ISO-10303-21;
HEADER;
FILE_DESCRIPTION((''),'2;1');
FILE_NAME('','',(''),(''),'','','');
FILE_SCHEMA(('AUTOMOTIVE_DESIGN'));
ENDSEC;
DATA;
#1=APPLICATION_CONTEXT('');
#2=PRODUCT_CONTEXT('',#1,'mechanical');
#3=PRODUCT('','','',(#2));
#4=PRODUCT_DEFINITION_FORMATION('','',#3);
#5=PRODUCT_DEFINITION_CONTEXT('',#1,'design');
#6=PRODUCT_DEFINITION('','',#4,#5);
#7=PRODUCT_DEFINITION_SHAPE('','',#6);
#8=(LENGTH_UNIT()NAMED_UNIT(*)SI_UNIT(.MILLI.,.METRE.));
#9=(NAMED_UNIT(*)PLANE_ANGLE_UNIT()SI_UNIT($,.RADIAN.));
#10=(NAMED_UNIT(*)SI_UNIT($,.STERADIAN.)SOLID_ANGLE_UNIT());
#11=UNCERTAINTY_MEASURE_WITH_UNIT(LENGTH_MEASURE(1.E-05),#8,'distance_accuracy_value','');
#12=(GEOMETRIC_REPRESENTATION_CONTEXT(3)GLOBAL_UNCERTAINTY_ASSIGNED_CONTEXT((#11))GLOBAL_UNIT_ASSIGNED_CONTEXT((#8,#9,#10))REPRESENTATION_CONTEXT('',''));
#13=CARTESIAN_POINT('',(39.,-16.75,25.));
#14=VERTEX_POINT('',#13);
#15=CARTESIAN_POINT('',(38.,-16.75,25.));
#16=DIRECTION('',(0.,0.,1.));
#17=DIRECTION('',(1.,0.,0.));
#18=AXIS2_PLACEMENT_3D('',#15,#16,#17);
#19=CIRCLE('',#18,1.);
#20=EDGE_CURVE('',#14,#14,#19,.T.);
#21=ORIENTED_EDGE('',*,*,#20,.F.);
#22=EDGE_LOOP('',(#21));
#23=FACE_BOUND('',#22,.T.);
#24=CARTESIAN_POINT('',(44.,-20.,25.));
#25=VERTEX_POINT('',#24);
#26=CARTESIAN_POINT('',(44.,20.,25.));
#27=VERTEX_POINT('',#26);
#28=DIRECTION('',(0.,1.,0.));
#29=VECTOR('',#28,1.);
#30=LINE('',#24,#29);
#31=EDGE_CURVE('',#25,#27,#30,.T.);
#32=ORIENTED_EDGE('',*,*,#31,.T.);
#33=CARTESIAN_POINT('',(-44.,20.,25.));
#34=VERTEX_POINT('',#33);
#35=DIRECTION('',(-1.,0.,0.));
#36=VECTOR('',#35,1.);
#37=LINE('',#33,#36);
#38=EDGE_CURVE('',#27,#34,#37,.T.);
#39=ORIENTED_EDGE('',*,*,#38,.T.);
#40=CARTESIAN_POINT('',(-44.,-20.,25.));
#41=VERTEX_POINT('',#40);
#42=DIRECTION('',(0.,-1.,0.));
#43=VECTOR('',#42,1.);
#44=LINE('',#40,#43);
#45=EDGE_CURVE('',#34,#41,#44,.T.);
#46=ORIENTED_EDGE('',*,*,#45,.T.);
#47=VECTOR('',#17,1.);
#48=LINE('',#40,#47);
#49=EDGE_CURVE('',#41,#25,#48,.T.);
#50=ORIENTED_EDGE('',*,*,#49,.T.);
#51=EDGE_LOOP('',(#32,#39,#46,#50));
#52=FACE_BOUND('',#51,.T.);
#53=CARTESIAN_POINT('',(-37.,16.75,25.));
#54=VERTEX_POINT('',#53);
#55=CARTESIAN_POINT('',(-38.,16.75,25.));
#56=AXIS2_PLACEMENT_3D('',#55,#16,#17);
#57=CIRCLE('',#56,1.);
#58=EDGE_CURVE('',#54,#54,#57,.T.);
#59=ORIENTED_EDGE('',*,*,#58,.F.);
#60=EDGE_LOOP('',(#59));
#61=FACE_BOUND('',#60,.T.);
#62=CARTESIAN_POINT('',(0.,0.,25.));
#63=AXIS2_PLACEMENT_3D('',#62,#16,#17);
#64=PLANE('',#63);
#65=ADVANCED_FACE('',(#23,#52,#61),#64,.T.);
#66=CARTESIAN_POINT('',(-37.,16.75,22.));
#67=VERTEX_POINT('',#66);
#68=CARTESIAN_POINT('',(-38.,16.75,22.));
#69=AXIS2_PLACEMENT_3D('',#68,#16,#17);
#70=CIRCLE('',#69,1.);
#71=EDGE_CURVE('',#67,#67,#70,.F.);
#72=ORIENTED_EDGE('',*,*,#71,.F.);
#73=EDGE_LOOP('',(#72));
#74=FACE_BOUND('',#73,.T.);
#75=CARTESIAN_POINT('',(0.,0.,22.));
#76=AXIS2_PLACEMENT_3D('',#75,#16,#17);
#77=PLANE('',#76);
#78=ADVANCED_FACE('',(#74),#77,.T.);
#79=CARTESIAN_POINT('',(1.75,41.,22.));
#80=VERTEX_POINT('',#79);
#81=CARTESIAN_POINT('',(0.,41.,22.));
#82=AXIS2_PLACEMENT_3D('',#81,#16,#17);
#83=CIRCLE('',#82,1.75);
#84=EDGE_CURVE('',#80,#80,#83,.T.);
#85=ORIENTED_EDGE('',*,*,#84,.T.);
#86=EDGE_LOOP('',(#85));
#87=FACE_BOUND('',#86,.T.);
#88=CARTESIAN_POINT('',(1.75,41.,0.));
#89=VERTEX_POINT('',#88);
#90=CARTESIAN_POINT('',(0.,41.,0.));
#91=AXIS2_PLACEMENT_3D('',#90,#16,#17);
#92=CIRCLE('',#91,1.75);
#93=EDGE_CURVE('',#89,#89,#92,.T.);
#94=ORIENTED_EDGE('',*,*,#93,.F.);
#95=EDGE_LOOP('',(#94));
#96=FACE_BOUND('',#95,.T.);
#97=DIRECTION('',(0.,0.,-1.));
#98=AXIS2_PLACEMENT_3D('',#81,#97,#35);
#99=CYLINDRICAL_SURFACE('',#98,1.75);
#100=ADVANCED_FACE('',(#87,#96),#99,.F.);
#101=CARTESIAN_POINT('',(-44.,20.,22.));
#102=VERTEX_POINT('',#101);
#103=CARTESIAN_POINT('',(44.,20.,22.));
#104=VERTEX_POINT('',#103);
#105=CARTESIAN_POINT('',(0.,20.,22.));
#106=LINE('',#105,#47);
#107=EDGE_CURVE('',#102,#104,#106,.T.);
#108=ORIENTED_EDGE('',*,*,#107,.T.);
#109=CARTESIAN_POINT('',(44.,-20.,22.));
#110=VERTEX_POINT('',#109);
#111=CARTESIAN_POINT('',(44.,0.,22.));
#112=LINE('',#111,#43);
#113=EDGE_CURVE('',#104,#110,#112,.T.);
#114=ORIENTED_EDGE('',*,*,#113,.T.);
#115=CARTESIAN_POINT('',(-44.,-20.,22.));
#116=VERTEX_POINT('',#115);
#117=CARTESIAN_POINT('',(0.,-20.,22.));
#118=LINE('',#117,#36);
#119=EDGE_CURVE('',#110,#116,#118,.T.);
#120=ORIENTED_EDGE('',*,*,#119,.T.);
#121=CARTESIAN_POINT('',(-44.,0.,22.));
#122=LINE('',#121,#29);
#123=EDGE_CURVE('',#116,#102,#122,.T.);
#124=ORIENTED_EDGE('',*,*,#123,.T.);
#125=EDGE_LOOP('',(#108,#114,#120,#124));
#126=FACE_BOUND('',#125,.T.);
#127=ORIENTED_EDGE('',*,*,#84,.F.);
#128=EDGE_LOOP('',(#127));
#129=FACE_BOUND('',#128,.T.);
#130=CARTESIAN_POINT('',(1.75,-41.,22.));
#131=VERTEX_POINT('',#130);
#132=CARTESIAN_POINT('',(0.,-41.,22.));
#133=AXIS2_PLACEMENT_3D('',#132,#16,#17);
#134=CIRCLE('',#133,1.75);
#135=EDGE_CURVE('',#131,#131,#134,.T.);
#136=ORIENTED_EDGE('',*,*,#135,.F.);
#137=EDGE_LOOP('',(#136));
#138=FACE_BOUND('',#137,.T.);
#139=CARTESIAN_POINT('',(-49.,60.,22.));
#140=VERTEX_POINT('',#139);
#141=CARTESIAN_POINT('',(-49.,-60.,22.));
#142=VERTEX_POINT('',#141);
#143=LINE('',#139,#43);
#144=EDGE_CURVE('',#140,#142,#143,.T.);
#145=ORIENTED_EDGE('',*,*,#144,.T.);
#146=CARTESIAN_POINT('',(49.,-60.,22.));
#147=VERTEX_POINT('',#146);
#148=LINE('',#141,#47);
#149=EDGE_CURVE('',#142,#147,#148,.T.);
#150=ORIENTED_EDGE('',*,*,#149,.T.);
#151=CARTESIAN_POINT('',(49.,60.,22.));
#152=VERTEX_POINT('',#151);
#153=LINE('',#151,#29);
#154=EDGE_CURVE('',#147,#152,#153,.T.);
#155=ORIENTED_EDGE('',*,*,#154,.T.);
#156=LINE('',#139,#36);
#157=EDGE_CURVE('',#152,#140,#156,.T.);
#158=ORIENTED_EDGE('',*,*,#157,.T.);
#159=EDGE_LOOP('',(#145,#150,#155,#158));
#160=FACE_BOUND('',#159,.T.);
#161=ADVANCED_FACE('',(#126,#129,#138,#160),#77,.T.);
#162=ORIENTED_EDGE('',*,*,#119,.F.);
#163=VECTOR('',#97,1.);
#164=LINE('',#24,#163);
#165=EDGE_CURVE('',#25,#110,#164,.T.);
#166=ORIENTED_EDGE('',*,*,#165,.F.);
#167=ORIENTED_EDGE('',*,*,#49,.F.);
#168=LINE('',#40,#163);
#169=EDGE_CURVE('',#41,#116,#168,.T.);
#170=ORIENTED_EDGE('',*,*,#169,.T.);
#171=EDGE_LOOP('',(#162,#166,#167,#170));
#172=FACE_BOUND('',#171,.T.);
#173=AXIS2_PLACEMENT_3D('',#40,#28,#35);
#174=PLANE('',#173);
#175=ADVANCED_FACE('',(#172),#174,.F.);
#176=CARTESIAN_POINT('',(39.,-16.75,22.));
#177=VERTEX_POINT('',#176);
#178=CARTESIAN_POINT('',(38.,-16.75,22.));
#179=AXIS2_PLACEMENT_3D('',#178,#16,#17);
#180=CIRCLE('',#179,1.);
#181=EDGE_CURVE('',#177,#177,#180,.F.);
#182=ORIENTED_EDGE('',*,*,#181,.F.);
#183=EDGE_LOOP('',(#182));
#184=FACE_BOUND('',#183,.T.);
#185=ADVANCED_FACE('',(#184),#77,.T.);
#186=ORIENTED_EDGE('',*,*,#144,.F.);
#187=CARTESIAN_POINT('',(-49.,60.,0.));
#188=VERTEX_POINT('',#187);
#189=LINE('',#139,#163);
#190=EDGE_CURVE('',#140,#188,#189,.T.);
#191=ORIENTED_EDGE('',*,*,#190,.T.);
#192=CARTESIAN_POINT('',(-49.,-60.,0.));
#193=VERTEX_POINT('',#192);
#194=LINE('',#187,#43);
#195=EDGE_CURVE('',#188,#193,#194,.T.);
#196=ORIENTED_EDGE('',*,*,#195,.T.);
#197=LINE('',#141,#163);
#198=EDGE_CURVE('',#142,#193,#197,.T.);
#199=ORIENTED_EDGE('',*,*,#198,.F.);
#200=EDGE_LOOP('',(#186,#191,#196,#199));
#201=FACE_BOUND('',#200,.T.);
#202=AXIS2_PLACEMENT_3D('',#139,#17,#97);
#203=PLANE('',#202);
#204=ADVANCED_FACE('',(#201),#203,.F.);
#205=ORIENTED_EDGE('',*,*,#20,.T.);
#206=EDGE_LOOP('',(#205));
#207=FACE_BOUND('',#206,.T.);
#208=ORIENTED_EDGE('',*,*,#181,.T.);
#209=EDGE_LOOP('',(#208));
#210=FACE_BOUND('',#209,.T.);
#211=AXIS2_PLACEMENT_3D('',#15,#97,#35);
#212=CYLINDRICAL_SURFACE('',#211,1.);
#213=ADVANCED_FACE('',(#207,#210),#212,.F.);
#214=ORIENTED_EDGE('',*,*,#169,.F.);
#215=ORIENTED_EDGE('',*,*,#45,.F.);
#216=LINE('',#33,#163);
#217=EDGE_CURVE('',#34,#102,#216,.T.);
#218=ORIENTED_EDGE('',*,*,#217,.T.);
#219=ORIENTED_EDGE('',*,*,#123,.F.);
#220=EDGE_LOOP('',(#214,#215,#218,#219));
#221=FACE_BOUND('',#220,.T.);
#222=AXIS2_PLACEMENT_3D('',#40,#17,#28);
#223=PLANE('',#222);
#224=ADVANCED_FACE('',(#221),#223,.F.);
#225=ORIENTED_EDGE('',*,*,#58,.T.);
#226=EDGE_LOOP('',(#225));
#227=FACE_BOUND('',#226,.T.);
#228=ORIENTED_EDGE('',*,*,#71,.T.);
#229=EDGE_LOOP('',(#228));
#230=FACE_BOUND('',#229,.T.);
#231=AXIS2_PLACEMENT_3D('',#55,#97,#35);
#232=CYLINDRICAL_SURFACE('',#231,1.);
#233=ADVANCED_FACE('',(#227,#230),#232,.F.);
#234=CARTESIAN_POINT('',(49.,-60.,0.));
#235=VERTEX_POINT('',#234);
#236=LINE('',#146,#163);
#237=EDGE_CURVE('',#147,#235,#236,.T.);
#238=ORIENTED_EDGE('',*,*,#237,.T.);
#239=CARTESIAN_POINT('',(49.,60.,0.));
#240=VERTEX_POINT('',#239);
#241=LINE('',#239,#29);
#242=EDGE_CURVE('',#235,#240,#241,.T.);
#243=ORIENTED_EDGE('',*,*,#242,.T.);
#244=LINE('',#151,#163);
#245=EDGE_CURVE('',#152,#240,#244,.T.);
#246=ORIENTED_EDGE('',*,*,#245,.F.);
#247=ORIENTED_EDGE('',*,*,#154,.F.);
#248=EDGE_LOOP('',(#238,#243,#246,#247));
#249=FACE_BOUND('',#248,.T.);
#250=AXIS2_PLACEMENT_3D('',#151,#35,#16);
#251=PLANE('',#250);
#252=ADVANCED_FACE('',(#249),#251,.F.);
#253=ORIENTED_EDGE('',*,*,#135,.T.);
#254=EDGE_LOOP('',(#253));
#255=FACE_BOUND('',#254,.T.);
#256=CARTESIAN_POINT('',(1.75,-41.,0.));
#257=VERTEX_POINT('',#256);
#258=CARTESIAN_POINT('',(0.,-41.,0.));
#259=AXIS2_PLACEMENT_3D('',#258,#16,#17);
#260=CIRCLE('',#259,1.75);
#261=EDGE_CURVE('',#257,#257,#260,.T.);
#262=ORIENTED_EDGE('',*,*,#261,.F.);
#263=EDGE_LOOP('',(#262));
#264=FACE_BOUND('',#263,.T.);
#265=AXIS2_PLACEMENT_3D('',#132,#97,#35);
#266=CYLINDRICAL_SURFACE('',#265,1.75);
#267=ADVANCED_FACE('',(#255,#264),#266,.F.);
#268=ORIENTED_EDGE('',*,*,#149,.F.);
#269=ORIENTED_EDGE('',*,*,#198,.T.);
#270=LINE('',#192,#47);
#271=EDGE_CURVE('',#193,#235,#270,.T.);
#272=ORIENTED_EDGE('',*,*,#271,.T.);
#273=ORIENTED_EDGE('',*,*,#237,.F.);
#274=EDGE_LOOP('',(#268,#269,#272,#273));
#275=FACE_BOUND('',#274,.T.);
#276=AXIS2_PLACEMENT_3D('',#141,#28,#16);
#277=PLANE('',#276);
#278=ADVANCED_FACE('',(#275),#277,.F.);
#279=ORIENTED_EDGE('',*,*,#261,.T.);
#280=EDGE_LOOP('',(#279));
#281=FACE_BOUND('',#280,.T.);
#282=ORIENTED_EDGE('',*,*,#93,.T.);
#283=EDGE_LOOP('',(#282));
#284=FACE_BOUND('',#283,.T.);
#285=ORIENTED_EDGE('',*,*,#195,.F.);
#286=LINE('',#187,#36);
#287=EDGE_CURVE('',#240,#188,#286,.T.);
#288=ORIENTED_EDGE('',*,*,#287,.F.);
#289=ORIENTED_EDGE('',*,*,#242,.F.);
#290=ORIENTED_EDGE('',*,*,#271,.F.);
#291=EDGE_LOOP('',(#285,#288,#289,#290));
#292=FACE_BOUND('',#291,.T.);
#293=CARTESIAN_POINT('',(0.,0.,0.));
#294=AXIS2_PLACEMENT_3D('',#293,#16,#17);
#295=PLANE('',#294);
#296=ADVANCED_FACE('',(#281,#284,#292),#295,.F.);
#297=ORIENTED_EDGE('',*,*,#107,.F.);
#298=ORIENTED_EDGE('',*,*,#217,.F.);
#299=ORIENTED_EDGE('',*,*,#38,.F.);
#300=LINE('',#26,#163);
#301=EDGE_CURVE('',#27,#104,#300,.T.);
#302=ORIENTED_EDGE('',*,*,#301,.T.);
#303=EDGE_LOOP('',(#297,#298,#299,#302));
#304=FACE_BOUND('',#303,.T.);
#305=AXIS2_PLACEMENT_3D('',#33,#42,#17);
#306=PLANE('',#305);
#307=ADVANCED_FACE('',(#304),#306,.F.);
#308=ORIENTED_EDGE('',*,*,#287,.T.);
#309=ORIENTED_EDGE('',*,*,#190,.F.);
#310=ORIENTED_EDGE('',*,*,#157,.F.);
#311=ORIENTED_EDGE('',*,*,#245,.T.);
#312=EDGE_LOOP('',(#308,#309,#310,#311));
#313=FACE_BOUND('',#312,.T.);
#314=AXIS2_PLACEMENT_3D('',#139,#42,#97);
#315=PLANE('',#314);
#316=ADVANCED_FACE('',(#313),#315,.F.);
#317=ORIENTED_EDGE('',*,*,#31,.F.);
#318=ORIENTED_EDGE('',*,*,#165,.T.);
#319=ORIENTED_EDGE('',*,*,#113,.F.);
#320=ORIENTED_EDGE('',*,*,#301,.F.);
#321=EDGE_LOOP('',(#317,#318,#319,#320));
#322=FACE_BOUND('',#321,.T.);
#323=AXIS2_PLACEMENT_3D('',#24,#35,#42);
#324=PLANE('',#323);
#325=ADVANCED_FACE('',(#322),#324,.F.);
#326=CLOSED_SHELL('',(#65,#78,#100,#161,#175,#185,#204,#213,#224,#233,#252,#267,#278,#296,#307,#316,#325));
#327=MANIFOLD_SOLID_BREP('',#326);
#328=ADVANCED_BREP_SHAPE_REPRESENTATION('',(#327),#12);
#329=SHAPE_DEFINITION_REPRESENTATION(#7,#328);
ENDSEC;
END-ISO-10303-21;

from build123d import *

# Parameters (mm, degrees)
SKETCH1_W           = 98
SKETCH1_H           = 120
SKETCH1_R           = 1.75
BOSS_EXTRUDE1_DEPTH = 22
SKETCH3_W           = 88
SKETCH3_H           = 40
SKETCH3_R           = 1
BOSS_EXTRUDE2_DEPTH = 25


with BuildPart() as part:
    # Sketch1 → Boss-Extrude1 (new body)
    with BuildSketch(Plane.XY):
        Rectangle(SKETCH1_W, SKETCH1_H)
        with Locations((0, 41)):
            Circle(SKETCH1_R, mode=Mode.SUBTRACT)
        with Locations((0, -41)):
            Circle(SKETCH1_R, mode=Mode.SUBTRACT)
    extrude(amount=BOSS_EXTRUDE1_DEPTH)

    # Sketch3 → Boss-Extrude2 (add)
    with BuildSketch(Plane.XY):
        Rectangle(SKETCH3_W, SKETCH3_H)
        with Locations((-38, 16.75)):
            Circle(SKETCH3_R, mode=Mode.SUBTRACT)
        with Locations((38, -16.75)):
            Circle(SKETCH3_R, mode=Mode.SUBTRACT)
    extrude(amount=BOSS_EXTRUDE2_DEPTH)


solid = part.part
